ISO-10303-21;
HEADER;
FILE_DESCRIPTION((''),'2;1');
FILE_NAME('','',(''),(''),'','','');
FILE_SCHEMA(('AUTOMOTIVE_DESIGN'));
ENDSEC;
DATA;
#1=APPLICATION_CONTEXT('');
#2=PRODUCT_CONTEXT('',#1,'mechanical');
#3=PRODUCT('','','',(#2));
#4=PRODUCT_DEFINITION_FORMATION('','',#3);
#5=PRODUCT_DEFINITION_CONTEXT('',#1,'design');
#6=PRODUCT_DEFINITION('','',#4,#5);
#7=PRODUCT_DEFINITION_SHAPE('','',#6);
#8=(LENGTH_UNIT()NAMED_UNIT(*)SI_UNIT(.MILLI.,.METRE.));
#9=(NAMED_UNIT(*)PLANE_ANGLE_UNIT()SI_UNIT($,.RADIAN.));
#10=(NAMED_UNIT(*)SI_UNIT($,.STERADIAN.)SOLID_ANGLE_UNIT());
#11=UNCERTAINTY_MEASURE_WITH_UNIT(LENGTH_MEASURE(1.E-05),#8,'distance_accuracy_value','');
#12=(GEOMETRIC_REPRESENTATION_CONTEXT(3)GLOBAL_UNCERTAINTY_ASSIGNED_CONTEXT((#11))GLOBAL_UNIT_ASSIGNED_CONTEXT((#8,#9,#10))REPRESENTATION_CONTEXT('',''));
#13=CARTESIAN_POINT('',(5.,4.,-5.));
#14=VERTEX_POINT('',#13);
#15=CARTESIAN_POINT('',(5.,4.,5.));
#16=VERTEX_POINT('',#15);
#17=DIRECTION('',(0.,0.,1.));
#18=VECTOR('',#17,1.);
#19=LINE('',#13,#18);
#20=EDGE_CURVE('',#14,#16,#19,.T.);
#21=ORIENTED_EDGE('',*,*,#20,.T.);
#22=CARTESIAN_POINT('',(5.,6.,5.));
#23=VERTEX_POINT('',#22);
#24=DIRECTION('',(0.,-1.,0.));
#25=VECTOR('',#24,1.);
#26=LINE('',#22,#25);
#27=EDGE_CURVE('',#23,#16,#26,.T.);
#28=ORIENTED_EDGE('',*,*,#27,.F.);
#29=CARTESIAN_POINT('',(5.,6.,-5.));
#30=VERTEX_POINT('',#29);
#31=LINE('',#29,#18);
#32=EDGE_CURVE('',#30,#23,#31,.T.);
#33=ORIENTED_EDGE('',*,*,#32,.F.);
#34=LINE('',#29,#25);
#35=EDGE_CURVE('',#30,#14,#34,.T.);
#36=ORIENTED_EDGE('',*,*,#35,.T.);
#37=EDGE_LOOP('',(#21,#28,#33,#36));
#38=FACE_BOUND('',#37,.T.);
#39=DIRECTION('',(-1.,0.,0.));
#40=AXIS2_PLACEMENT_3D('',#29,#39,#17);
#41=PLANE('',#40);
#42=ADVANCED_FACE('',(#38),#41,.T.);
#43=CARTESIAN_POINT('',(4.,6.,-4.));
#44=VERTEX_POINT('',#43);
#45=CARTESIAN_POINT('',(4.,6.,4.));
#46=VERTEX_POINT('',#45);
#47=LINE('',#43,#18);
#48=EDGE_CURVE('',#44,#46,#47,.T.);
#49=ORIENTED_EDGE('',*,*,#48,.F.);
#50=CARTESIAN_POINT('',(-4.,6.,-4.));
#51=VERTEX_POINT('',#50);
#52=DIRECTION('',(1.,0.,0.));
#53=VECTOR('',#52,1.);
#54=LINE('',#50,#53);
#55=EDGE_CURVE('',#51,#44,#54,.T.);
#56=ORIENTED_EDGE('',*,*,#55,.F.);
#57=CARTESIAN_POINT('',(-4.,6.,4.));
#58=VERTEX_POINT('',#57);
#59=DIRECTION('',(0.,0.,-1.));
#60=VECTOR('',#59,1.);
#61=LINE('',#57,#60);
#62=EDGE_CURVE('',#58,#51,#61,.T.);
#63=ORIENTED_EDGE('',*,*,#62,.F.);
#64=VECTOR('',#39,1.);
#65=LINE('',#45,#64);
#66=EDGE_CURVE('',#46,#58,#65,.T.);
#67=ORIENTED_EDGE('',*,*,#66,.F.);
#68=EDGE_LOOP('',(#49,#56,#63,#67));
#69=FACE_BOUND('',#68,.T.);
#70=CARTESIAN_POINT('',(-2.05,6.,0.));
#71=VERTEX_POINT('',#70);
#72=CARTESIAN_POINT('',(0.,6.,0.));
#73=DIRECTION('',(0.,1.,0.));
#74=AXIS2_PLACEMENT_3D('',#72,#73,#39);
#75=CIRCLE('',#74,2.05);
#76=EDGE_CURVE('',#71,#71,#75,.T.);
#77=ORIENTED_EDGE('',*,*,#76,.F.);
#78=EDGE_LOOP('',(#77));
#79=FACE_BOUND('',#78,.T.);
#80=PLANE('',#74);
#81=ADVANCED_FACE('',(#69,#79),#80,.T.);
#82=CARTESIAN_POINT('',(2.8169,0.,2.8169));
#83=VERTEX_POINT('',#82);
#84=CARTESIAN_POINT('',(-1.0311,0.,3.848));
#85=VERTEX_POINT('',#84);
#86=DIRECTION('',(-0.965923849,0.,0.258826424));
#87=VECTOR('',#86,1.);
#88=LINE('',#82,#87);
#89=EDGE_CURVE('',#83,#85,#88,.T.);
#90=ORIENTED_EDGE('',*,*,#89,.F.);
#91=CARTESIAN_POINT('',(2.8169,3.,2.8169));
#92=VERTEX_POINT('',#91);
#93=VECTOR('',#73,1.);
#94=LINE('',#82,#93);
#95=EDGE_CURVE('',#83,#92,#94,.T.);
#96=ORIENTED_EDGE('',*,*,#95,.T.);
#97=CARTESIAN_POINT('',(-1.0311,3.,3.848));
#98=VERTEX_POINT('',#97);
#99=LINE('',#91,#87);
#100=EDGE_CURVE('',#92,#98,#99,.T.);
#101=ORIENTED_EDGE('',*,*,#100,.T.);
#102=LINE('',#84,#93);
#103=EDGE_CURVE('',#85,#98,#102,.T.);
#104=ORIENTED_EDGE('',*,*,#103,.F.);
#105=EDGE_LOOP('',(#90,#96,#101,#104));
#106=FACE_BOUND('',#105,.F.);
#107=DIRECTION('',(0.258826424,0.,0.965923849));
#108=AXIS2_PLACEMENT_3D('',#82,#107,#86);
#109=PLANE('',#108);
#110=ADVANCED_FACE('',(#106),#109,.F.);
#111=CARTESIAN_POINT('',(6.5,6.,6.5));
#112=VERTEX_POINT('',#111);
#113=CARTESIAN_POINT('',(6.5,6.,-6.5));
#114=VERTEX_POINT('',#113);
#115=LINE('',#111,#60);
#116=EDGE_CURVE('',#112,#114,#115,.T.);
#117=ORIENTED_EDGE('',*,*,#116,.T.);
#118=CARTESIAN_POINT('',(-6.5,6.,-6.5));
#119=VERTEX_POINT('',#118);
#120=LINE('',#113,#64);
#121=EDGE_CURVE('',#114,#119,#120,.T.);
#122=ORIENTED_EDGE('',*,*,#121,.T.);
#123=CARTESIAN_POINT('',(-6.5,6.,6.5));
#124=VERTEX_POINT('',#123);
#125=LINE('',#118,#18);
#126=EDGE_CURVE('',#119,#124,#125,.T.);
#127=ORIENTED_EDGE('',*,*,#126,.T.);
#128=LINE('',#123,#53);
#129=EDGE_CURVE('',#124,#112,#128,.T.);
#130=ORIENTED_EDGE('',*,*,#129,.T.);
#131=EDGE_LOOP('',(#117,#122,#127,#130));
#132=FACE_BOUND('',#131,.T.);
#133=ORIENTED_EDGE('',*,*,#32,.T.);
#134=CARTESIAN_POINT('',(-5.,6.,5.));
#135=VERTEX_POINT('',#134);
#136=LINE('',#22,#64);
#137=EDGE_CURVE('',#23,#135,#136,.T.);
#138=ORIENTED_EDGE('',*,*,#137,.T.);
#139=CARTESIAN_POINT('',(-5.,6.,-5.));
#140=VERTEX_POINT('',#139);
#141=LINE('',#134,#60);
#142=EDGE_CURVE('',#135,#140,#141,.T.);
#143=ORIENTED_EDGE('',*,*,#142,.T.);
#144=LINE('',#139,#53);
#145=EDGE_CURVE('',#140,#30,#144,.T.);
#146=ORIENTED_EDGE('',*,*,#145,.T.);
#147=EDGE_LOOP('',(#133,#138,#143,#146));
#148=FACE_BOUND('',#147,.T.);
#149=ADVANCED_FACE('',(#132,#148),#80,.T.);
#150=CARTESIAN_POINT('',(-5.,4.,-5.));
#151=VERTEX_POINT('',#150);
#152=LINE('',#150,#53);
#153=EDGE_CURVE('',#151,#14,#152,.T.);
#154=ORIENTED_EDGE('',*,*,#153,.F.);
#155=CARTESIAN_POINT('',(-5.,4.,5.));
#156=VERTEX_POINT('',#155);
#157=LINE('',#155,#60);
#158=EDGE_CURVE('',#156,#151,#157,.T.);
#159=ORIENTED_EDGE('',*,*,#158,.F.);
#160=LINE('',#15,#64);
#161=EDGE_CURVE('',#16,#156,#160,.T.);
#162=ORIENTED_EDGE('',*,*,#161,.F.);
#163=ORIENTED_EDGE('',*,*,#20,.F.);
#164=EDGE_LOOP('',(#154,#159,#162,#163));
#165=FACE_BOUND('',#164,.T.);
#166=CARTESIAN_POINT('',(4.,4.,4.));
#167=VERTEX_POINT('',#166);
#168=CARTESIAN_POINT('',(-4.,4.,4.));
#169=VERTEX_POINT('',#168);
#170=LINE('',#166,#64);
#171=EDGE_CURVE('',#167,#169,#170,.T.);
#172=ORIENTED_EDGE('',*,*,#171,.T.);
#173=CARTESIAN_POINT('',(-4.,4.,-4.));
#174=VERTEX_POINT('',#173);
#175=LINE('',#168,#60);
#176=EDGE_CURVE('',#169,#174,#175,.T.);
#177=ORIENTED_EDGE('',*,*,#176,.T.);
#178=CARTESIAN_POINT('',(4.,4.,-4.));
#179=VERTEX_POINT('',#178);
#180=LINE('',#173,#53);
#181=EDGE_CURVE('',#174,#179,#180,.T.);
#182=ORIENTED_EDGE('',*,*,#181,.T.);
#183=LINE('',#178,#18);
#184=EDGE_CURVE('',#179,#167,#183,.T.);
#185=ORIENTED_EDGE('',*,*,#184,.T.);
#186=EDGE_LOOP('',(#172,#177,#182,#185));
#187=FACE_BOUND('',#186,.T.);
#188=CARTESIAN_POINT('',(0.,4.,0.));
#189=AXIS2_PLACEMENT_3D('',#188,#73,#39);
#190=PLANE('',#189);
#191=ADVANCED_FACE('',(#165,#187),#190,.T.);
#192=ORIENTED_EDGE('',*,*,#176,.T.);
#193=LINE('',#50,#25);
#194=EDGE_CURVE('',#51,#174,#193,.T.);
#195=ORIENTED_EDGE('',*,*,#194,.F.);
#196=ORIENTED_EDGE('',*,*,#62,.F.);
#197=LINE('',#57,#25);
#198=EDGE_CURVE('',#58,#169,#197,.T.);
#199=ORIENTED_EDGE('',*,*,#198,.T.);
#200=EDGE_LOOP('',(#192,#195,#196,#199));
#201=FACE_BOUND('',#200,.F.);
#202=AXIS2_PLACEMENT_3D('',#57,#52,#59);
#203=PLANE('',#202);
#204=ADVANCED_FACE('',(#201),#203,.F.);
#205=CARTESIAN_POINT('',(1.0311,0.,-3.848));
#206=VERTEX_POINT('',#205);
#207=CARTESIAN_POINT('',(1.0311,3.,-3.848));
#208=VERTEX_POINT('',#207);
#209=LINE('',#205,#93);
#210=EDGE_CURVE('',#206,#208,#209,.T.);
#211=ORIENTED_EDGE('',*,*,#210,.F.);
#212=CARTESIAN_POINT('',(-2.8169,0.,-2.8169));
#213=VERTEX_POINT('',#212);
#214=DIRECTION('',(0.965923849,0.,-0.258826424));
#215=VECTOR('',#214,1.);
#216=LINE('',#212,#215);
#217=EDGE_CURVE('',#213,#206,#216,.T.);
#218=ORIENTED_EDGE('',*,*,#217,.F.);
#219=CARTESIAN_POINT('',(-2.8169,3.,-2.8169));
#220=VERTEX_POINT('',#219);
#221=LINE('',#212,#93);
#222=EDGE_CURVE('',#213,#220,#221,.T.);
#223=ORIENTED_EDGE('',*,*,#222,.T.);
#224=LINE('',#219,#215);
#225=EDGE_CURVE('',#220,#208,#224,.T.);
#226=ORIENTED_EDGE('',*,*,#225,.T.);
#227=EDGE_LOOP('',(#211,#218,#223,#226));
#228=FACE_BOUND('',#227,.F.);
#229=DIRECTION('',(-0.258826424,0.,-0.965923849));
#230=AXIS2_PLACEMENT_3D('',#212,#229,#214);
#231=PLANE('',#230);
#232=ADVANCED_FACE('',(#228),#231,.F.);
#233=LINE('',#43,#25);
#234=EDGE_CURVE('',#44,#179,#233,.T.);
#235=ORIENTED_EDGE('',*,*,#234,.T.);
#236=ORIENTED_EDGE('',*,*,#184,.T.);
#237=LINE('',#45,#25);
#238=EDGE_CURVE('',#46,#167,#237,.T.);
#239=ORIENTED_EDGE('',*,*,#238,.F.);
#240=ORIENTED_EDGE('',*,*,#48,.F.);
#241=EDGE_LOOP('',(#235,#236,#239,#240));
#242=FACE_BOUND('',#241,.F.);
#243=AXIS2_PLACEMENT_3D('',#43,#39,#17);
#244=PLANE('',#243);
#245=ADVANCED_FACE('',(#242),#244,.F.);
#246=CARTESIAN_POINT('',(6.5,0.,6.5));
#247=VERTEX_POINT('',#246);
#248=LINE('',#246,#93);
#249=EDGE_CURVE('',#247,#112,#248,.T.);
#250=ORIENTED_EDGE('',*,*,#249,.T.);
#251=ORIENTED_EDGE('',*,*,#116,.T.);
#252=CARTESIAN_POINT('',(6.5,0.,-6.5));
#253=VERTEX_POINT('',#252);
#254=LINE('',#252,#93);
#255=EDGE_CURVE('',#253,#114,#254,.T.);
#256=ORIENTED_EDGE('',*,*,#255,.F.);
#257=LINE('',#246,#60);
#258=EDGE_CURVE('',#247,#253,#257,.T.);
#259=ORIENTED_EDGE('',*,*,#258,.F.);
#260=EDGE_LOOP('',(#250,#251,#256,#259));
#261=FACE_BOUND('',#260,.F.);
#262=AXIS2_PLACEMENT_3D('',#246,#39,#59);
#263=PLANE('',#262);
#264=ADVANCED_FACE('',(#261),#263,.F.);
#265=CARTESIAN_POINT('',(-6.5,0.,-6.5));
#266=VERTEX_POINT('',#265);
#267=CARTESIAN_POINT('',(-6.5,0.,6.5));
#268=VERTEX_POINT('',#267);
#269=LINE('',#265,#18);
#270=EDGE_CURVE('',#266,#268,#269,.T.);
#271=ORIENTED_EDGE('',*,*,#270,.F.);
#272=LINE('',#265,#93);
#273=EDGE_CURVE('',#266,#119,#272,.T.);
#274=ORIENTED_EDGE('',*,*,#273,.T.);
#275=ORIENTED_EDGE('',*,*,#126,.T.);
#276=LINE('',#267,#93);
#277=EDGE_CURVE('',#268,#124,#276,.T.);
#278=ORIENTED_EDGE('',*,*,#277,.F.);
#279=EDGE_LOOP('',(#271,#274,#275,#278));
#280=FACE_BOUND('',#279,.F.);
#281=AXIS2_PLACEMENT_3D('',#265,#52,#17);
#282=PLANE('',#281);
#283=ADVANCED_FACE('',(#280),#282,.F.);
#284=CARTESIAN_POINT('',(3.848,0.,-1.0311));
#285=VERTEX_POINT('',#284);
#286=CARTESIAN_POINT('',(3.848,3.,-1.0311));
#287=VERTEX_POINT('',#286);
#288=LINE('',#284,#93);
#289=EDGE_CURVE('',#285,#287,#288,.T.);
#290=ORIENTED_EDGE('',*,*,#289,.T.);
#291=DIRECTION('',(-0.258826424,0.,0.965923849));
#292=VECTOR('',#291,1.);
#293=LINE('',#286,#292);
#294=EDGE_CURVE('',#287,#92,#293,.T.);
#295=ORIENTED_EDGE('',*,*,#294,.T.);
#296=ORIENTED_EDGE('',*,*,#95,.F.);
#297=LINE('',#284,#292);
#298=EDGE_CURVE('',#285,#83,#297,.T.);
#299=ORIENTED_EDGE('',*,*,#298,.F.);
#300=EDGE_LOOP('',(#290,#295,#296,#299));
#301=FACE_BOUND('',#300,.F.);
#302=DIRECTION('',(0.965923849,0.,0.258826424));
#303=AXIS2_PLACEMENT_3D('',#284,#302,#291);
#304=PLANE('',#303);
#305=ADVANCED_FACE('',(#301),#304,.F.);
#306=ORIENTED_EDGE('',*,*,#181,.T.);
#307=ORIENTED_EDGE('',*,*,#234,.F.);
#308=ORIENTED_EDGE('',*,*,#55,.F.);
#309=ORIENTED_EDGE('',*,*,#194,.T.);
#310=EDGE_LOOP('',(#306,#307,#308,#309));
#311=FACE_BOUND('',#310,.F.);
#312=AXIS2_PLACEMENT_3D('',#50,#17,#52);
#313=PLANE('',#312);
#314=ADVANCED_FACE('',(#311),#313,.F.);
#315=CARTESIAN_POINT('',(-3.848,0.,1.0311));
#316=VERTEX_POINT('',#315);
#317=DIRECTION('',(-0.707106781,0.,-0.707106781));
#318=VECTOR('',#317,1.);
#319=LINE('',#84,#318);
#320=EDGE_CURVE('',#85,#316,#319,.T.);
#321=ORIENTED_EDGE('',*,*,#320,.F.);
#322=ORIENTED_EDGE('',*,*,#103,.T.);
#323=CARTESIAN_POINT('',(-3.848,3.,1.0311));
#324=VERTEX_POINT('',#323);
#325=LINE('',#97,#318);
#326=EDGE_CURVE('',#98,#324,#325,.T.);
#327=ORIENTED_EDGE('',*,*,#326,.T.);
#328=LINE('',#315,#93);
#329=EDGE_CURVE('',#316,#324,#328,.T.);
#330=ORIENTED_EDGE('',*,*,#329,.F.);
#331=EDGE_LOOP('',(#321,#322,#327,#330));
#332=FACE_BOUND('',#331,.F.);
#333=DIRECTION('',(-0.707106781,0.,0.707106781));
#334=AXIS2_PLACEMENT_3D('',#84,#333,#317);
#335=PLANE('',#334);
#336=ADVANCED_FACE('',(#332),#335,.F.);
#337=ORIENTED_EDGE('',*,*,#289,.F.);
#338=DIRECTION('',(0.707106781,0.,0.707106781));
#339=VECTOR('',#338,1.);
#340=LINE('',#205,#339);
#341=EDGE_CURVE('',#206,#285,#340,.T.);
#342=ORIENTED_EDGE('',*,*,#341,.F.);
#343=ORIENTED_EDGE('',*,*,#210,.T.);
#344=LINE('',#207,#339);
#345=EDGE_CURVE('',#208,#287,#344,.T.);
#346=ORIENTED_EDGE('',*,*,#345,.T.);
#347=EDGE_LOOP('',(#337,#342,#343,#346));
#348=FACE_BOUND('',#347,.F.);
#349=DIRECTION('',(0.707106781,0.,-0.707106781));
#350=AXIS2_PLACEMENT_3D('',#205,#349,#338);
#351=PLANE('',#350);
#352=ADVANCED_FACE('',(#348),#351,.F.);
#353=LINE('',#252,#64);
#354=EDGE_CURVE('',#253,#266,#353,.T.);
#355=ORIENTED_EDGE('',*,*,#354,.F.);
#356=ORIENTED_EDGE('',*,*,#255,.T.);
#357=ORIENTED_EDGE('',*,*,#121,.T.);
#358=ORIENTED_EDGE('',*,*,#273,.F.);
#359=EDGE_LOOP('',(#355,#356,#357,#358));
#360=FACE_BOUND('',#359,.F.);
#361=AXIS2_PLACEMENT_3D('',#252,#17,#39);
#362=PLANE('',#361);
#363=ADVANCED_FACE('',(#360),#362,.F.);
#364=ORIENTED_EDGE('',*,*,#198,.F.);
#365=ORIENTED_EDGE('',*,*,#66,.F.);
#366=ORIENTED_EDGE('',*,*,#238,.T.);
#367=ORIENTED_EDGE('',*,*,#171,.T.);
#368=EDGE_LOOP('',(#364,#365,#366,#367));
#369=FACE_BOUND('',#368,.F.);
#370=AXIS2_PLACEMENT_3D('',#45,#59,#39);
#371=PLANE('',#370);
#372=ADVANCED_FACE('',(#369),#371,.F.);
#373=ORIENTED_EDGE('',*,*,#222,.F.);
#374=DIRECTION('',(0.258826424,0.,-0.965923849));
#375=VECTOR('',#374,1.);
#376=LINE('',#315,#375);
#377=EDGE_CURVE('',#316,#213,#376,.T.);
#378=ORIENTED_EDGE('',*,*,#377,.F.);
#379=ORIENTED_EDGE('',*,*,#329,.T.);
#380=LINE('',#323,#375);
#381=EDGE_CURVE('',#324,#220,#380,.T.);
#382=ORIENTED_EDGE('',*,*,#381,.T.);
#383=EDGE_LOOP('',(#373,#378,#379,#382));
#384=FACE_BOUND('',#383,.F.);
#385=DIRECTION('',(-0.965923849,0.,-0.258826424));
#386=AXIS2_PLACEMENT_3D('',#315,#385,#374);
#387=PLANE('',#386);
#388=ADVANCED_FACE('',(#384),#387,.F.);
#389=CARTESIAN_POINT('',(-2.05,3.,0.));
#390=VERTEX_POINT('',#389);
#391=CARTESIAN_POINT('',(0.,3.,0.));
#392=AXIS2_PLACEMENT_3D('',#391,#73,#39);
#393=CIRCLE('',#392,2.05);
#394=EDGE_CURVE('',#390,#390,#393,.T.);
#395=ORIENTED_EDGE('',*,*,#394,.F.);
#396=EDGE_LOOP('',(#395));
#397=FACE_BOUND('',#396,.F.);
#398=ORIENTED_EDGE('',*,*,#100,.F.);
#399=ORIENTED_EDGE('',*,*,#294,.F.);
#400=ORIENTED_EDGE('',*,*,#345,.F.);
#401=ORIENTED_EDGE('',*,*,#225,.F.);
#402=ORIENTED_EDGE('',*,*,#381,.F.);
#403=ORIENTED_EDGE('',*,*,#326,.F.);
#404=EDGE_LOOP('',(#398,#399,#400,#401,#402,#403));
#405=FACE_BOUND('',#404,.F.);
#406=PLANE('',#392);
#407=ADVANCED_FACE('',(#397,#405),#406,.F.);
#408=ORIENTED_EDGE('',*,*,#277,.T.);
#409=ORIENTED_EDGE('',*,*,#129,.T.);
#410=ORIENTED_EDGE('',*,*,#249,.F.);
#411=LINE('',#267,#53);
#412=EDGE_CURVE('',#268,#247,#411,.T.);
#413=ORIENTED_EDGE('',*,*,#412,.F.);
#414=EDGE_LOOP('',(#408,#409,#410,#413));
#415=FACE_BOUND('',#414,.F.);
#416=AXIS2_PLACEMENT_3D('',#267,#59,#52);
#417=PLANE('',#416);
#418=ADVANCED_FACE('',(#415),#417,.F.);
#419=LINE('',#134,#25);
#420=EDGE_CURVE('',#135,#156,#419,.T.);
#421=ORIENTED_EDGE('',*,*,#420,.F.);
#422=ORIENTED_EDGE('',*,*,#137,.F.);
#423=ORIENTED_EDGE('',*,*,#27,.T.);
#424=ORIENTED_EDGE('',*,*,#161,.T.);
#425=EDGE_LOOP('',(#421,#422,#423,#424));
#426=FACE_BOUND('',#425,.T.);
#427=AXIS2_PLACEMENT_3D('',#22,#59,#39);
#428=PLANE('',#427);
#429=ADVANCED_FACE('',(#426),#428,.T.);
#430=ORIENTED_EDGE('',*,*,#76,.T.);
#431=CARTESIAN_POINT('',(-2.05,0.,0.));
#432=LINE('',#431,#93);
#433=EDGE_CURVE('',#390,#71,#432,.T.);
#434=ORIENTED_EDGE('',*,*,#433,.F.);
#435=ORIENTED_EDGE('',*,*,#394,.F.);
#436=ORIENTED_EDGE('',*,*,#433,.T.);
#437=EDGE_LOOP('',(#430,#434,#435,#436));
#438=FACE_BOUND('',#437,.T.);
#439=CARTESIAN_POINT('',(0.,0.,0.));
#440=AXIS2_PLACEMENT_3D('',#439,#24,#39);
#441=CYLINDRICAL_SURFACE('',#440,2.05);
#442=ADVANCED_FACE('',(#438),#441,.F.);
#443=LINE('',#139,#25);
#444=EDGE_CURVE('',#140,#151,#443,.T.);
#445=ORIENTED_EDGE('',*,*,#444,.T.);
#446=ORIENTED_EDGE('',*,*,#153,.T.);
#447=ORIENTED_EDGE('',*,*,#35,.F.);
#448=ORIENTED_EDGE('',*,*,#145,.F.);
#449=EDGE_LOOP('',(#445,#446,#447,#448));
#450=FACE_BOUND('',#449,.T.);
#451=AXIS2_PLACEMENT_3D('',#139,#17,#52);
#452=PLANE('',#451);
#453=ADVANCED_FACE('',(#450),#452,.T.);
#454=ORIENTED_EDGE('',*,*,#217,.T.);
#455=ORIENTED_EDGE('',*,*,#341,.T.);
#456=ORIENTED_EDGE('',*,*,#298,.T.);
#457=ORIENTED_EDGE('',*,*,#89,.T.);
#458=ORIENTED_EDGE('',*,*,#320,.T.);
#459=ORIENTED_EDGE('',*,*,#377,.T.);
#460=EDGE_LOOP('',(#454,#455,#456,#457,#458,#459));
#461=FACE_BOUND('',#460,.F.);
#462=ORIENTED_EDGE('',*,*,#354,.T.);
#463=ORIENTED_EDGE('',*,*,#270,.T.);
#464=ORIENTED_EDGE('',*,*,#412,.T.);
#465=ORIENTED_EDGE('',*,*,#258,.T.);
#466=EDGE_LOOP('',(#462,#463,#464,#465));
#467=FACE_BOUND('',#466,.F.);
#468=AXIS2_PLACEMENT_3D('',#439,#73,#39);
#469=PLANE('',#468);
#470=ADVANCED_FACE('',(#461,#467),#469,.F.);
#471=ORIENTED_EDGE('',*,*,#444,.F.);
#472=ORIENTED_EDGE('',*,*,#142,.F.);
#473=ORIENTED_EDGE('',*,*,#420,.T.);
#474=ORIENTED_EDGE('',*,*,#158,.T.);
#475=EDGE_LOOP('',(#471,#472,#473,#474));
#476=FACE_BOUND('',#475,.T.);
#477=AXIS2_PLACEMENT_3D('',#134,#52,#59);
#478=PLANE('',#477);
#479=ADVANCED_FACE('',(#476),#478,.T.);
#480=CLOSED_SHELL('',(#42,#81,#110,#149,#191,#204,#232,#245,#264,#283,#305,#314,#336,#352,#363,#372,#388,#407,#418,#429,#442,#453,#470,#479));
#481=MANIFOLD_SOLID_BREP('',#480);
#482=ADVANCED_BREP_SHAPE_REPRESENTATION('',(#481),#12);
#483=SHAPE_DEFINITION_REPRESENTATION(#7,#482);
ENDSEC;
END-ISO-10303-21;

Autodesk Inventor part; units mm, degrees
ref_plane "YZ Plane" through (0, 0, 0) normal (1, 0, 0) x (0, 1, 0)
ref_plane "XY Plane" through (0, 0, 0) normal (0, 0, 1) x (1, 0, 0)
ref_plane "作業平面2" through (0, 6, 0) normal (0, 1, 0) x (-1, 0, 0)
sketch "スケッチ3" plane through (0, 6, 0) normal (0, 1, 0) x (-1, 0, 0)
  line L0 (4, -4) -> (-4, -4)
  line L1 (-4, -4) -> (-4, 4)
  line L2 (-4, 4) -> (4, 4)
  line L3 (4, 4) -> (4, -4)
  line L4 (4, -4) -> (-4, 4) construction
  line L5 (-4, -4) -> (4, 4) construction
  line L6 (5, -5) -> (-5, -5)
  line L7 (-5, -5) -> (-5, 5)
  line L8 (-5, 5) -> (5, 5)
  line L9 (5, 5) -> (5, -5)
  line L10 (5, -5) -> (-5, 5) construction
  line L11 (-5, -5) -> (5, 5) construction
  point P0 (0, 0)
  point P1 (0, 0)
  dimension "d19" = 8
  dimension "d20" = 8
  dimension "d21" = 10
  dimension "d22" = 10
sketch "スケッチ1" plane through (0, 0, 0) normal (0, 1, 0) x (-1, 0, 0)
  line L0 (6.5, -6.5) -> (-6.5, 6.5) construction
  line L1 (-6.5, -6.5) -> (6.5, 6.5) construction
  line L2 (1.0311, 3.848) -> (3.848, 1.0311)
  line L3 (3.848, 1.0311) -> (2.8169, -2.8169)
  line L4 (2.8169, -2.8169) -> (-1.0311, -3.848)
  line L5 (-1.0311, -3.848) -> (-3.848, -1.0311)
  line L6 (-3.848, -1.0311) -> (-2.8169, 2.8169)
  line L7 (-2.8169, 2.8169) -> (1.0311, 3.848)
  line L8 (-6.5, -6.5) -> (6.5, -6.5)
  line L9 (6.5, -6.5) -> (6.5, 6.5)
  line L10 (6.5, 6.5) -> (-6.5, 6.5)
  line L11 (-6.5, 6.5) -> (-6.5, -6.5)
  line L12 (-6.5, -6.5) -> (6.5, 6.5) construction
  line L13 (6.5, -6.5) -> (-6.5, 6.5) construction
  circle A0 centre (0, 0) radius 2.05
  dimension "d33" = 6.9
  dimension "d34" = 13
  dimension "d35" = 13
  dimension "d36" = 4.1
extrude "押し出し8" add sketch "スケッチ1" along normal blind 6 contours L2 L3 L4 L5 L6 L7 | L11 L10 L9 L8 | A0
extrude "押し出し9" cut sketch "スケッチ3" against normal blind 2
extrude "押し出し10" cut sketch "スケッチ1" along normal blind 3 contours L2 L3 L4 L5 L6 L7
extrude "押し出し11" cut sketch "スケッチ1" along normal blind 6 contours A0
properties part number "pin_joint_ver1"
